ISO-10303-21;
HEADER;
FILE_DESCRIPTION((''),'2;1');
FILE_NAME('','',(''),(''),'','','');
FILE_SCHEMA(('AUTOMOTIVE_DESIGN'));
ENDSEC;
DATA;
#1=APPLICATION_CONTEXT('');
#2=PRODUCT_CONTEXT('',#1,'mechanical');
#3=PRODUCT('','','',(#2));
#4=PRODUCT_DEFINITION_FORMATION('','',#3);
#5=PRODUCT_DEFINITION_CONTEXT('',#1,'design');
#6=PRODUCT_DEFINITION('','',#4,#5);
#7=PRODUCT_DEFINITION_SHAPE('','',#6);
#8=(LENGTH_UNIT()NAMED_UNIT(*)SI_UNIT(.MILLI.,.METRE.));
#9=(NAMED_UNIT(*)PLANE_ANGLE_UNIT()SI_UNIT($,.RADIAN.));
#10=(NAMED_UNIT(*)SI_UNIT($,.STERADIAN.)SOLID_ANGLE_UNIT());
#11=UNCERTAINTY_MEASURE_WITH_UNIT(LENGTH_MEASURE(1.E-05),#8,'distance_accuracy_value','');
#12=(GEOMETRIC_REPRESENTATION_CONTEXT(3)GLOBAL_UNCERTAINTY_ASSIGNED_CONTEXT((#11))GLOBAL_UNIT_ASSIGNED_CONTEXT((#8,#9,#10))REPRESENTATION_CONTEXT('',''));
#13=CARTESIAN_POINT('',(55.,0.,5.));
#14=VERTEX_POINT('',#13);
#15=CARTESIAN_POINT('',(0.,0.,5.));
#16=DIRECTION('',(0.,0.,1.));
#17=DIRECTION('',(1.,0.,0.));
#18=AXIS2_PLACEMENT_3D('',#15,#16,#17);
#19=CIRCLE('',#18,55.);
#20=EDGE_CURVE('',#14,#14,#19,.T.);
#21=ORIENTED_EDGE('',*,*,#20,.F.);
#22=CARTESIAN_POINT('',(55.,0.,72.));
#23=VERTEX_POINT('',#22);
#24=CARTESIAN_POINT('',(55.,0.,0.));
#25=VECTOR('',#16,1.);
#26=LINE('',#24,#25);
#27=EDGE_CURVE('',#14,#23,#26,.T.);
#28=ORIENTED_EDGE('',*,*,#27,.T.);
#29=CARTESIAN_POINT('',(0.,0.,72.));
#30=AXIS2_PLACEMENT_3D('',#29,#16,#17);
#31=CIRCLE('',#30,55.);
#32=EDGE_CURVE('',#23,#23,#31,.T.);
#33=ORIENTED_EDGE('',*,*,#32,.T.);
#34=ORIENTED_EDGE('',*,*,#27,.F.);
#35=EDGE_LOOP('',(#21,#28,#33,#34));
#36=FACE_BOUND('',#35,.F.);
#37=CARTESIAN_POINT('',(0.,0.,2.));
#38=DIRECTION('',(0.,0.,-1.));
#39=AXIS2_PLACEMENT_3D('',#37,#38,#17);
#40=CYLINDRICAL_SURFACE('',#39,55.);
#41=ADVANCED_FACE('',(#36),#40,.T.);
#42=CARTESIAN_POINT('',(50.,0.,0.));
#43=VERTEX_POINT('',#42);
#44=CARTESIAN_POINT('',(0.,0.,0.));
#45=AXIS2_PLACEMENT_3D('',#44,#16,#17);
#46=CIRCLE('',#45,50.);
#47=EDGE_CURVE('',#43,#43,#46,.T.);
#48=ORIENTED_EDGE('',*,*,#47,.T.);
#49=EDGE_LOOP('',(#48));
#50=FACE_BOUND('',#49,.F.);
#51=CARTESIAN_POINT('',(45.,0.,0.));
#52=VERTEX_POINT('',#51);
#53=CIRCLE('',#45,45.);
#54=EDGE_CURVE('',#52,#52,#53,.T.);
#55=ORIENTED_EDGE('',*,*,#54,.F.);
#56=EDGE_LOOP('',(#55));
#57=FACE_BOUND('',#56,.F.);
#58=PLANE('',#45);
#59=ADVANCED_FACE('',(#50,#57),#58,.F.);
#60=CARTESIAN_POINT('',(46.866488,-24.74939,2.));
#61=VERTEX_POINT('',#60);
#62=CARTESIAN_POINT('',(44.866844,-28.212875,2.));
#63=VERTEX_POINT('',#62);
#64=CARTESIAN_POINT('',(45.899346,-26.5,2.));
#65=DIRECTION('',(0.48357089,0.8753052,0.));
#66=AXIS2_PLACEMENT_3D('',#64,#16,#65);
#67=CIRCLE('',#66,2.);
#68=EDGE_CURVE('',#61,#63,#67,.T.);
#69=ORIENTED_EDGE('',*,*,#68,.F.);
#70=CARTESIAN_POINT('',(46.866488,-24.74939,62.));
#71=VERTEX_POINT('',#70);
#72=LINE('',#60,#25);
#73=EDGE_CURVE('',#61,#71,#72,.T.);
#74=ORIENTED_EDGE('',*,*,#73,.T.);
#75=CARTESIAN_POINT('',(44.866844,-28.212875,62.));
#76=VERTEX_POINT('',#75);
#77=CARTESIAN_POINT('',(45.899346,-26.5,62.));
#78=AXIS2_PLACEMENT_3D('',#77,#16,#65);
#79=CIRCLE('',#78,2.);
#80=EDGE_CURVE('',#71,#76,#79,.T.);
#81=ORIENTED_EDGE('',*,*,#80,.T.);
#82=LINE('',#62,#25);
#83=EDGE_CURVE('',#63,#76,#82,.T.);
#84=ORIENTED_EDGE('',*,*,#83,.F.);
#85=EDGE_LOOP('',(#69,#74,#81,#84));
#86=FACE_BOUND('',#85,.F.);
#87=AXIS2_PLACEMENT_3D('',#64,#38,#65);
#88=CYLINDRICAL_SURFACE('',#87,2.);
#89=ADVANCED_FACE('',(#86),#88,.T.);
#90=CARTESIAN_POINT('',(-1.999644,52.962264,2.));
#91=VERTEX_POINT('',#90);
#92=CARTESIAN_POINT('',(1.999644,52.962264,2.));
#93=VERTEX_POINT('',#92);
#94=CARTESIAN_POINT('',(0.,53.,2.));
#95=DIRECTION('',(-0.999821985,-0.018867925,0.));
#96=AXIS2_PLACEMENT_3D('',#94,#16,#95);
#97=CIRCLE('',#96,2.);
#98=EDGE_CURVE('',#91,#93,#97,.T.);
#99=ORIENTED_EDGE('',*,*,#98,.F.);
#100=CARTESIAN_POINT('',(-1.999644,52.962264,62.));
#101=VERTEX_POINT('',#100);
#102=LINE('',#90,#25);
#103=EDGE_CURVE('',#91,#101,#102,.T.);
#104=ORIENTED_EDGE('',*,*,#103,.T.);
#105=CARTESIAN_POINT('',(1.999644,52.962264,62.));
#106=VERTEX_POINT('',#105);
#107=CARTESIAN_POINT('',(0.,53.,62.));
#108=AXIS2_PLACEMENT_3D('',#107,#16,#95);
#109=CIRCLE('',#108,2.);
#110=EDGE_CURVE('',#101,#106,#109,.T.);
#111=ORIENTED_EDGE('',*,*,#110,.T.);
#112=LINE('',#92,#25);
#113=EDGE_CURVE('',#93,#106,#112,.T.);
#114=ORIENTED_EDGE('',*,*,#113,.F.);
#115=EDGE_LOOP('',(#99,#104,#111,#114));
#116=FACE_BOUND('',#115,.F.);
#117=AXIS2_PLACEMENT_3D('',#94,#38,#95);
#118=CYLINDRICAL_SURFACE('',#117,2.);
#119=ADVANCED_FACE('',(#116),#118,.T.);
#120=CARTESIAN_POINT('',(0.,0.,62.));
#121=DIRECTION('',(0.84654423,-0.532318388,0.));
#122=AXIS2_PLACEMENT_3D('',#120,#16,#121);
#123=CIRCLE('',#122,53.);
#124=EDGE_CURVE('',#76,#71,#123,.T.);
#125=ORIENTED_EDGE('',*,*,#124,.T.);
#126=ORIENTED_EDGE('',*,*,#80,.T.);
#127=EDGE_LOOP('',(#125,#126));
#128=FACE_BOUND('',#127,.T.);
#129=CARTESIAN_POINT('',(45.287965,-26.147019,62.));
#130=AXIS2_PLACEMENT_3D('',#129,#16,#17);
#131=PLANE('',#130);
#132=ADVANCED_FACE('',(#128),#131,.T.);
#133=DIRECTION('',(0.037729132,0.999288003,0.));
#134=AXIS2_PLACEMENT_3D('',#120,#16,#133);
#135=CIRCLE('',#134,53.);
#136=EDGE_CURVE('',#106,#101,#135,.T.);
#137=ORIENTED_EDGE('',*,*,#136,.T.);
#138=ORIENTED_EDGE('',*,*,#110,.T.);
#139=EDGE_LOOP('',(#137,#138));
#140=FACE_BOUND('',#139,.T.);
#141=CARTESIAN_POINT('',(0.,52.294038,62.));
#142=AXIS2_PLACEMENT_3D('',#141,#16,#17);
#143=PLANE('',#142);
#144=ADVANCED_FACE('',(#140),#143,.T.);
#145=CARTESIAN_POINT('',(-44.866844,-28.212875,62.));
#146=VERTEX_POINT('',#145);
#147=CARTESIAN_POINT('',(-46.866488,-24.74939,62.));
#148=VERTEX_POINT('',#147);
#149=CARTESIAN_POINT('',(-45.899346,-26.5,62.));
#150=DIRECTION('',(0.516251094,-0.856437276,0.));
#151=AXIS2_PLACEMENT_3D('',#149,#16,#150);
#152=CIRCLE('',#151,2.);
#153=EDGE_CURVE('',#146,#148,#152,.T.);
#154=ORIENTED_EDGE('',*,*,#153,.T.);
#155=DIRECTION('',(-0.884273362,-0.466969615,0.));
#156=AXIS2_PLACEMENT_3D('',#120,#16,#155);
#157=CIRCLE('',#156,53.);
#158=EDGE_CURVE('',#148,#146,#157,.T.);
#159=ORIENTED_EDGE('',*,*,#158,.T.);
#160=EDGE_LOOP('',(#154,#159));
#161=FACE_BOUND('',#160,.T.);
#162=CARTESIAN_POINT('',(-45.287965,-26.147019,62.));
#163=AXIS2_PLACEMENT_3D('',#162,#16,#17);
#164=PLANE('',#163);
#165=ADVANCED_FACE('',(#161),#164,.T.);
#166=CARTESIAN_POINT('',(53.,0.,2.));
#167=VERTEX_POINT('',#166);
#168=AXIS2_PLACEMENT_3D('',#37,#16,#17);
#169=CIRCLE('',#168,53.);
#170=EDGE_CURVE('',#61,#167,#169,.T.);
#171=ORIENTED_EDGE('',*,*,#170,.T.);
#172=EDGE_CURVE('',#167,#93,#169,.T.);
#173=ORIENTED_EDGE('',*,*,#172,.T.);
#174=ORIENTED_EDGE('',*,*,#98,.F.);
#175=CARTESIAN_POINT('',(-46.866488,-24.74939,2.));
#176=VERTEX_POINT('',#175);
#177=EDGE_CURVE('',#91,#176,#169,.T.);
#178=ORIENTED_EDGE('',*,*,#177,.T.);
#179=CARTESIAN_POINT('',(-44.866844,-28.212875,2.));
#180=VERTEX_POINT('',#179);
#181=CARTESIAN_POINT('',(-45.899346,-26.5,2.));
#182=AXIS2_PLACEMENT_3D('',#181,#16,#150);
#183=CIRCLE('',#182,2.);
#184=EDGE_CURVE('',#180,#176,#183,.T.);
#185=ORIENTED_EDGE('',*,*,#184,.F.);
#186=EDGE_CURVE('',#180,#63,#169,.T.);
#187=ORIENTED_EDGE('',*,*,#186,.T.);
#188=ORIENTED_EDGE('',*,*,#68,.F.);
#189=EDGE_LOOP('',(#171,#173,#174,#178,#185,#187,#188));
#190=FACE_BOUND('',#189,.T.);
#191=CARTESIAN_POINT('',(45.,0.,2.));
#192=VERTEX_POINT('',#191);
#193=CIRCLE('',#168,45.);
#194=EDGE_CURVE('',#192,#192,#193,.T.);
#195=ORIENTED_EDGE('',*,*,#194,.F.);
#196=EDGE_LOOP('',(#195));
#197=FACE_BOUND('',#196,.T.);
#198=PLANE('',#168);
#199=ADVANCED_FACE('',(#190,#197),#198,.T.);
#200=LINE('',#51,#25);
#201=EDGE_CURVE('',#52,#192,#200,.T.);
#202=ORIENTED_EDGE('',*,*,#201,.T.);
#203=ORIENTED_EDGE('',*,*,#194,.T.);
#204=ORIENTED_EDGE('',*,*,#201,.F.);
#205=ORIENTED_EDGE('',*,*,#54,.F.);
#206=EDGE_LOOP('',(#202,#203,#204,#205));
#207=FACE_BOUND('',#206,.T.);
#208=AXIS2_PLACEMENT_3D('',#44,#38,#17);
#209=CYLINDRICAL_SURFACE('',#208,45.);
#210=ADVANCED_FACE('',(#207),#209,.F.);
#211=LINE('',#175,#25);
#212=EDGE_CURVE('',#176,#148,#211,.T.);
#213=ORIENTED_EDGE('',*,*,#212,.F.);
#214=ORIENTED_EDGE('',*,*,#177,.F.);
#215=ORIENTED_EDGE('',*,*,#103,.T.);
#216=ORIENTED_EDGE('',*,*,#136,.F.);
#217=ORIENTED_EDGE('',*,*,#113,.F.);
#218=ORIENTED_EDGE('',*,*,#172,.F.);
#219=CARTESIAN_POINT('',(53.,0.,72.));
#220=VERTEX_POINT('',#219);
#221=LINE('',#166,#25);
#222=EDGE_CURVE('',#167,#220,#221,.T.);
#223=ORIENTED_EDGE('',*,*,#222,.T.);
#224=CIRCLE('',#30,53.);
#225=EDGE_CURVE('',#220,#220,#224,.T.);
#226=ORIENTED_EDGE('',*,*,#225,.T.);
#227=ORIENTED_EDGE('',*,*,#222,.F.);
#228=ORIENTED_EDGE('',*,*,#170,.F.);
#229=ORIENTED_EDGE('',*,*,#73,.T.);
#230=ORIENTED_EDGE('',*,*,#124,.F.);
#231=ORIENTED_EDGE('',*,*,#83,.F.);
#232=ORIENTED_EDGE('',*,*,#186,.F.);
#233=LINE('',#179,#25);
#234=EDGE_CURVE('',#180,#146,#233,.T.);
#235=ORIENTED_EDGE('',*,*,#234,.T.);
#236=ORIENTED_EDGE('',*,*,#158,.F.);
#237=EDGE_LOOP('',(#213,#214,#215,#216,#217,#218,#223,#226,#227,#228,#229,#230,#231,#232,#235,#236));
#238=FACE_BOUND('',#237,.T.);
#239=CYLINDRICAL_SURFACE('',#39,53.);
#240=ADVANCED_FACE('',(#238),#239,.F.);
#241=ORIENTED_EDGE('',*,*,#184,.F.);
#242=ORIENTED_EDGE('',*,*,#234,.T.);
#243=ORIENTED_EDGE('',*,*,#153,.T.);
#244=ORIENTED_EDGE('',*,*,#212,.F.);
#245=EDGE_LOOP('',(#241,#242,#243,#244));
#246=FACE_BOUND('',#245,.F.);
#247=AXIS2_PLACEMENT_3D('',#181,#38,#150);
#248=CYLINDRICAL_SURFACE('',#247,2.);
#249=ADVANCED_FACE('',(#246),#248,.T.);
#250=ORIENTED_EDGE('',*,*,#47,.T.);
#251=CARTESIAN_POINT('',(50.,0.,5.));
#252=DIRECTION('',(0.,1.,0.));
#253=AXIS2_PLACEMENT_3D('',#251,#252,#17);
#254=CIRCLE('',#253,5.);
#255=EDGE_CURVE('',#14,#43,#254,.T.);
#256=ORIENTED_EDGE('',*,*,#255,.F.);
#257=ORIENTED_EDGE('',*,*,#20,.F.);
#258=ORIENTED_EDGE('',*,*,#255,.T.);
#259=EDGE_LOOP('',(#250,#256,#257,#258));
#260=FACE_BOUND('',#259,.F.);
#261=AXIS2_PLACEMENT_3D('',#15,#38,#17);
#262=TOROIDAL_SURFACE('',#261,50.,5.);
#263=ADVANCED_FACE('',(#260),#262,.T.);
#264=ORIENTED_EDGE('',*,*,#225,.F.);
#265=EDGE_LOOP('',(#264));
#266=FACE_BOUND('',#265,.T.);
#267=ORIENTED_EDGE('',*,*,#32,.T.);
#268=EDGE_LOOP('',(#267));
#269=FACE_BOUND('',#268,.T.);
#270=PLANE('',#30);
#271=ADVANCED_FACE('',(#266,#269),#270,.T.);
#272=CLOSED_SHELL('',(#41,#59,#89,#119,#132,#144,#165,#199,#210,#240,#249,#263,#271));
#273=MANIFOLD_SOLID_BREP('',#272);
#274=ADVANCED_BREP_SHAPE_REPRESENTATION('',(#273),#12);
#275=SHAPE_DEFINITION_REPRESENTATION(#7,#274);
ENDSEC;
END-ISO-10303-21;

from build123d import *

# Parameters (mm, degrees)
F0_R     = 55
F0_R_2   = 45
F1_DEPTH = 2
F2_R     = 55
F2_R_2   = 53
F3_DEPTH = 70
F5_DEPTH = 60
F6_R     = 5


with BuildPart() as f1:
    # F0 (on Top) → F1 (new body)
    with BuildSketch(Plane.XY):
        Circle(F0_R)
        Circle(F0_R_2, mode=Mode.SUBTRACT)
    extrude(amount=F1_DEPTH)

    # F2 (on face) → F3 (join)
    with BuildSketch(Plane.XY.offset(2)):
        Circle(F2_R)
        Circle(F2_R_2, mode=Mode.SUBTRACT)
    extrude(amount=F3_DEPTH)

    # F4 (on face) → F5 (join, through all)
    with BuildSketch(Plane.XY.offset(2)):
        with BuildLine():
            ThreePointArc((1.9996439697, 52.9622641509), (0, 53), (-1.9996439697, 52.9622641509))
            ThreePointArc((-1.9996439697, 52.9622641509), (0, 51), (1.9996439697, 52.9622641509))
        make_face()
        with BuildLine():
            ThreePointArc((44.8668442118, -28.2128745518), (45.8993464006, -26.5), (46.8664881815, -24.7493895992))
            ThreePointArc((46.8664881815, -24.7493895992), (44.167295593, -25.5), (44.8668442118, -28.2128745518))
        make_face()
        with BuildLine():
            ThreePointArc((-44.8668442118, -28.2128745518), (-44.167295593, -25.5), (-46.8664881815, -24.7493895992))
            ThreePointArc((-46.8664881815, -24.7493895992), (-45.8993464006, -26.5), (-44.8668442118, -28.2128745518))
        make_face()
    extrude(amount=F5_DEPTH)

    # F6
    f6_edges = [f1.edges().sort_by_distance(p)[0] for p in [
        (-55, 0, 0),
    ]]
    fillet(f6_edges, radius=F6_R)


solid = f1.part
